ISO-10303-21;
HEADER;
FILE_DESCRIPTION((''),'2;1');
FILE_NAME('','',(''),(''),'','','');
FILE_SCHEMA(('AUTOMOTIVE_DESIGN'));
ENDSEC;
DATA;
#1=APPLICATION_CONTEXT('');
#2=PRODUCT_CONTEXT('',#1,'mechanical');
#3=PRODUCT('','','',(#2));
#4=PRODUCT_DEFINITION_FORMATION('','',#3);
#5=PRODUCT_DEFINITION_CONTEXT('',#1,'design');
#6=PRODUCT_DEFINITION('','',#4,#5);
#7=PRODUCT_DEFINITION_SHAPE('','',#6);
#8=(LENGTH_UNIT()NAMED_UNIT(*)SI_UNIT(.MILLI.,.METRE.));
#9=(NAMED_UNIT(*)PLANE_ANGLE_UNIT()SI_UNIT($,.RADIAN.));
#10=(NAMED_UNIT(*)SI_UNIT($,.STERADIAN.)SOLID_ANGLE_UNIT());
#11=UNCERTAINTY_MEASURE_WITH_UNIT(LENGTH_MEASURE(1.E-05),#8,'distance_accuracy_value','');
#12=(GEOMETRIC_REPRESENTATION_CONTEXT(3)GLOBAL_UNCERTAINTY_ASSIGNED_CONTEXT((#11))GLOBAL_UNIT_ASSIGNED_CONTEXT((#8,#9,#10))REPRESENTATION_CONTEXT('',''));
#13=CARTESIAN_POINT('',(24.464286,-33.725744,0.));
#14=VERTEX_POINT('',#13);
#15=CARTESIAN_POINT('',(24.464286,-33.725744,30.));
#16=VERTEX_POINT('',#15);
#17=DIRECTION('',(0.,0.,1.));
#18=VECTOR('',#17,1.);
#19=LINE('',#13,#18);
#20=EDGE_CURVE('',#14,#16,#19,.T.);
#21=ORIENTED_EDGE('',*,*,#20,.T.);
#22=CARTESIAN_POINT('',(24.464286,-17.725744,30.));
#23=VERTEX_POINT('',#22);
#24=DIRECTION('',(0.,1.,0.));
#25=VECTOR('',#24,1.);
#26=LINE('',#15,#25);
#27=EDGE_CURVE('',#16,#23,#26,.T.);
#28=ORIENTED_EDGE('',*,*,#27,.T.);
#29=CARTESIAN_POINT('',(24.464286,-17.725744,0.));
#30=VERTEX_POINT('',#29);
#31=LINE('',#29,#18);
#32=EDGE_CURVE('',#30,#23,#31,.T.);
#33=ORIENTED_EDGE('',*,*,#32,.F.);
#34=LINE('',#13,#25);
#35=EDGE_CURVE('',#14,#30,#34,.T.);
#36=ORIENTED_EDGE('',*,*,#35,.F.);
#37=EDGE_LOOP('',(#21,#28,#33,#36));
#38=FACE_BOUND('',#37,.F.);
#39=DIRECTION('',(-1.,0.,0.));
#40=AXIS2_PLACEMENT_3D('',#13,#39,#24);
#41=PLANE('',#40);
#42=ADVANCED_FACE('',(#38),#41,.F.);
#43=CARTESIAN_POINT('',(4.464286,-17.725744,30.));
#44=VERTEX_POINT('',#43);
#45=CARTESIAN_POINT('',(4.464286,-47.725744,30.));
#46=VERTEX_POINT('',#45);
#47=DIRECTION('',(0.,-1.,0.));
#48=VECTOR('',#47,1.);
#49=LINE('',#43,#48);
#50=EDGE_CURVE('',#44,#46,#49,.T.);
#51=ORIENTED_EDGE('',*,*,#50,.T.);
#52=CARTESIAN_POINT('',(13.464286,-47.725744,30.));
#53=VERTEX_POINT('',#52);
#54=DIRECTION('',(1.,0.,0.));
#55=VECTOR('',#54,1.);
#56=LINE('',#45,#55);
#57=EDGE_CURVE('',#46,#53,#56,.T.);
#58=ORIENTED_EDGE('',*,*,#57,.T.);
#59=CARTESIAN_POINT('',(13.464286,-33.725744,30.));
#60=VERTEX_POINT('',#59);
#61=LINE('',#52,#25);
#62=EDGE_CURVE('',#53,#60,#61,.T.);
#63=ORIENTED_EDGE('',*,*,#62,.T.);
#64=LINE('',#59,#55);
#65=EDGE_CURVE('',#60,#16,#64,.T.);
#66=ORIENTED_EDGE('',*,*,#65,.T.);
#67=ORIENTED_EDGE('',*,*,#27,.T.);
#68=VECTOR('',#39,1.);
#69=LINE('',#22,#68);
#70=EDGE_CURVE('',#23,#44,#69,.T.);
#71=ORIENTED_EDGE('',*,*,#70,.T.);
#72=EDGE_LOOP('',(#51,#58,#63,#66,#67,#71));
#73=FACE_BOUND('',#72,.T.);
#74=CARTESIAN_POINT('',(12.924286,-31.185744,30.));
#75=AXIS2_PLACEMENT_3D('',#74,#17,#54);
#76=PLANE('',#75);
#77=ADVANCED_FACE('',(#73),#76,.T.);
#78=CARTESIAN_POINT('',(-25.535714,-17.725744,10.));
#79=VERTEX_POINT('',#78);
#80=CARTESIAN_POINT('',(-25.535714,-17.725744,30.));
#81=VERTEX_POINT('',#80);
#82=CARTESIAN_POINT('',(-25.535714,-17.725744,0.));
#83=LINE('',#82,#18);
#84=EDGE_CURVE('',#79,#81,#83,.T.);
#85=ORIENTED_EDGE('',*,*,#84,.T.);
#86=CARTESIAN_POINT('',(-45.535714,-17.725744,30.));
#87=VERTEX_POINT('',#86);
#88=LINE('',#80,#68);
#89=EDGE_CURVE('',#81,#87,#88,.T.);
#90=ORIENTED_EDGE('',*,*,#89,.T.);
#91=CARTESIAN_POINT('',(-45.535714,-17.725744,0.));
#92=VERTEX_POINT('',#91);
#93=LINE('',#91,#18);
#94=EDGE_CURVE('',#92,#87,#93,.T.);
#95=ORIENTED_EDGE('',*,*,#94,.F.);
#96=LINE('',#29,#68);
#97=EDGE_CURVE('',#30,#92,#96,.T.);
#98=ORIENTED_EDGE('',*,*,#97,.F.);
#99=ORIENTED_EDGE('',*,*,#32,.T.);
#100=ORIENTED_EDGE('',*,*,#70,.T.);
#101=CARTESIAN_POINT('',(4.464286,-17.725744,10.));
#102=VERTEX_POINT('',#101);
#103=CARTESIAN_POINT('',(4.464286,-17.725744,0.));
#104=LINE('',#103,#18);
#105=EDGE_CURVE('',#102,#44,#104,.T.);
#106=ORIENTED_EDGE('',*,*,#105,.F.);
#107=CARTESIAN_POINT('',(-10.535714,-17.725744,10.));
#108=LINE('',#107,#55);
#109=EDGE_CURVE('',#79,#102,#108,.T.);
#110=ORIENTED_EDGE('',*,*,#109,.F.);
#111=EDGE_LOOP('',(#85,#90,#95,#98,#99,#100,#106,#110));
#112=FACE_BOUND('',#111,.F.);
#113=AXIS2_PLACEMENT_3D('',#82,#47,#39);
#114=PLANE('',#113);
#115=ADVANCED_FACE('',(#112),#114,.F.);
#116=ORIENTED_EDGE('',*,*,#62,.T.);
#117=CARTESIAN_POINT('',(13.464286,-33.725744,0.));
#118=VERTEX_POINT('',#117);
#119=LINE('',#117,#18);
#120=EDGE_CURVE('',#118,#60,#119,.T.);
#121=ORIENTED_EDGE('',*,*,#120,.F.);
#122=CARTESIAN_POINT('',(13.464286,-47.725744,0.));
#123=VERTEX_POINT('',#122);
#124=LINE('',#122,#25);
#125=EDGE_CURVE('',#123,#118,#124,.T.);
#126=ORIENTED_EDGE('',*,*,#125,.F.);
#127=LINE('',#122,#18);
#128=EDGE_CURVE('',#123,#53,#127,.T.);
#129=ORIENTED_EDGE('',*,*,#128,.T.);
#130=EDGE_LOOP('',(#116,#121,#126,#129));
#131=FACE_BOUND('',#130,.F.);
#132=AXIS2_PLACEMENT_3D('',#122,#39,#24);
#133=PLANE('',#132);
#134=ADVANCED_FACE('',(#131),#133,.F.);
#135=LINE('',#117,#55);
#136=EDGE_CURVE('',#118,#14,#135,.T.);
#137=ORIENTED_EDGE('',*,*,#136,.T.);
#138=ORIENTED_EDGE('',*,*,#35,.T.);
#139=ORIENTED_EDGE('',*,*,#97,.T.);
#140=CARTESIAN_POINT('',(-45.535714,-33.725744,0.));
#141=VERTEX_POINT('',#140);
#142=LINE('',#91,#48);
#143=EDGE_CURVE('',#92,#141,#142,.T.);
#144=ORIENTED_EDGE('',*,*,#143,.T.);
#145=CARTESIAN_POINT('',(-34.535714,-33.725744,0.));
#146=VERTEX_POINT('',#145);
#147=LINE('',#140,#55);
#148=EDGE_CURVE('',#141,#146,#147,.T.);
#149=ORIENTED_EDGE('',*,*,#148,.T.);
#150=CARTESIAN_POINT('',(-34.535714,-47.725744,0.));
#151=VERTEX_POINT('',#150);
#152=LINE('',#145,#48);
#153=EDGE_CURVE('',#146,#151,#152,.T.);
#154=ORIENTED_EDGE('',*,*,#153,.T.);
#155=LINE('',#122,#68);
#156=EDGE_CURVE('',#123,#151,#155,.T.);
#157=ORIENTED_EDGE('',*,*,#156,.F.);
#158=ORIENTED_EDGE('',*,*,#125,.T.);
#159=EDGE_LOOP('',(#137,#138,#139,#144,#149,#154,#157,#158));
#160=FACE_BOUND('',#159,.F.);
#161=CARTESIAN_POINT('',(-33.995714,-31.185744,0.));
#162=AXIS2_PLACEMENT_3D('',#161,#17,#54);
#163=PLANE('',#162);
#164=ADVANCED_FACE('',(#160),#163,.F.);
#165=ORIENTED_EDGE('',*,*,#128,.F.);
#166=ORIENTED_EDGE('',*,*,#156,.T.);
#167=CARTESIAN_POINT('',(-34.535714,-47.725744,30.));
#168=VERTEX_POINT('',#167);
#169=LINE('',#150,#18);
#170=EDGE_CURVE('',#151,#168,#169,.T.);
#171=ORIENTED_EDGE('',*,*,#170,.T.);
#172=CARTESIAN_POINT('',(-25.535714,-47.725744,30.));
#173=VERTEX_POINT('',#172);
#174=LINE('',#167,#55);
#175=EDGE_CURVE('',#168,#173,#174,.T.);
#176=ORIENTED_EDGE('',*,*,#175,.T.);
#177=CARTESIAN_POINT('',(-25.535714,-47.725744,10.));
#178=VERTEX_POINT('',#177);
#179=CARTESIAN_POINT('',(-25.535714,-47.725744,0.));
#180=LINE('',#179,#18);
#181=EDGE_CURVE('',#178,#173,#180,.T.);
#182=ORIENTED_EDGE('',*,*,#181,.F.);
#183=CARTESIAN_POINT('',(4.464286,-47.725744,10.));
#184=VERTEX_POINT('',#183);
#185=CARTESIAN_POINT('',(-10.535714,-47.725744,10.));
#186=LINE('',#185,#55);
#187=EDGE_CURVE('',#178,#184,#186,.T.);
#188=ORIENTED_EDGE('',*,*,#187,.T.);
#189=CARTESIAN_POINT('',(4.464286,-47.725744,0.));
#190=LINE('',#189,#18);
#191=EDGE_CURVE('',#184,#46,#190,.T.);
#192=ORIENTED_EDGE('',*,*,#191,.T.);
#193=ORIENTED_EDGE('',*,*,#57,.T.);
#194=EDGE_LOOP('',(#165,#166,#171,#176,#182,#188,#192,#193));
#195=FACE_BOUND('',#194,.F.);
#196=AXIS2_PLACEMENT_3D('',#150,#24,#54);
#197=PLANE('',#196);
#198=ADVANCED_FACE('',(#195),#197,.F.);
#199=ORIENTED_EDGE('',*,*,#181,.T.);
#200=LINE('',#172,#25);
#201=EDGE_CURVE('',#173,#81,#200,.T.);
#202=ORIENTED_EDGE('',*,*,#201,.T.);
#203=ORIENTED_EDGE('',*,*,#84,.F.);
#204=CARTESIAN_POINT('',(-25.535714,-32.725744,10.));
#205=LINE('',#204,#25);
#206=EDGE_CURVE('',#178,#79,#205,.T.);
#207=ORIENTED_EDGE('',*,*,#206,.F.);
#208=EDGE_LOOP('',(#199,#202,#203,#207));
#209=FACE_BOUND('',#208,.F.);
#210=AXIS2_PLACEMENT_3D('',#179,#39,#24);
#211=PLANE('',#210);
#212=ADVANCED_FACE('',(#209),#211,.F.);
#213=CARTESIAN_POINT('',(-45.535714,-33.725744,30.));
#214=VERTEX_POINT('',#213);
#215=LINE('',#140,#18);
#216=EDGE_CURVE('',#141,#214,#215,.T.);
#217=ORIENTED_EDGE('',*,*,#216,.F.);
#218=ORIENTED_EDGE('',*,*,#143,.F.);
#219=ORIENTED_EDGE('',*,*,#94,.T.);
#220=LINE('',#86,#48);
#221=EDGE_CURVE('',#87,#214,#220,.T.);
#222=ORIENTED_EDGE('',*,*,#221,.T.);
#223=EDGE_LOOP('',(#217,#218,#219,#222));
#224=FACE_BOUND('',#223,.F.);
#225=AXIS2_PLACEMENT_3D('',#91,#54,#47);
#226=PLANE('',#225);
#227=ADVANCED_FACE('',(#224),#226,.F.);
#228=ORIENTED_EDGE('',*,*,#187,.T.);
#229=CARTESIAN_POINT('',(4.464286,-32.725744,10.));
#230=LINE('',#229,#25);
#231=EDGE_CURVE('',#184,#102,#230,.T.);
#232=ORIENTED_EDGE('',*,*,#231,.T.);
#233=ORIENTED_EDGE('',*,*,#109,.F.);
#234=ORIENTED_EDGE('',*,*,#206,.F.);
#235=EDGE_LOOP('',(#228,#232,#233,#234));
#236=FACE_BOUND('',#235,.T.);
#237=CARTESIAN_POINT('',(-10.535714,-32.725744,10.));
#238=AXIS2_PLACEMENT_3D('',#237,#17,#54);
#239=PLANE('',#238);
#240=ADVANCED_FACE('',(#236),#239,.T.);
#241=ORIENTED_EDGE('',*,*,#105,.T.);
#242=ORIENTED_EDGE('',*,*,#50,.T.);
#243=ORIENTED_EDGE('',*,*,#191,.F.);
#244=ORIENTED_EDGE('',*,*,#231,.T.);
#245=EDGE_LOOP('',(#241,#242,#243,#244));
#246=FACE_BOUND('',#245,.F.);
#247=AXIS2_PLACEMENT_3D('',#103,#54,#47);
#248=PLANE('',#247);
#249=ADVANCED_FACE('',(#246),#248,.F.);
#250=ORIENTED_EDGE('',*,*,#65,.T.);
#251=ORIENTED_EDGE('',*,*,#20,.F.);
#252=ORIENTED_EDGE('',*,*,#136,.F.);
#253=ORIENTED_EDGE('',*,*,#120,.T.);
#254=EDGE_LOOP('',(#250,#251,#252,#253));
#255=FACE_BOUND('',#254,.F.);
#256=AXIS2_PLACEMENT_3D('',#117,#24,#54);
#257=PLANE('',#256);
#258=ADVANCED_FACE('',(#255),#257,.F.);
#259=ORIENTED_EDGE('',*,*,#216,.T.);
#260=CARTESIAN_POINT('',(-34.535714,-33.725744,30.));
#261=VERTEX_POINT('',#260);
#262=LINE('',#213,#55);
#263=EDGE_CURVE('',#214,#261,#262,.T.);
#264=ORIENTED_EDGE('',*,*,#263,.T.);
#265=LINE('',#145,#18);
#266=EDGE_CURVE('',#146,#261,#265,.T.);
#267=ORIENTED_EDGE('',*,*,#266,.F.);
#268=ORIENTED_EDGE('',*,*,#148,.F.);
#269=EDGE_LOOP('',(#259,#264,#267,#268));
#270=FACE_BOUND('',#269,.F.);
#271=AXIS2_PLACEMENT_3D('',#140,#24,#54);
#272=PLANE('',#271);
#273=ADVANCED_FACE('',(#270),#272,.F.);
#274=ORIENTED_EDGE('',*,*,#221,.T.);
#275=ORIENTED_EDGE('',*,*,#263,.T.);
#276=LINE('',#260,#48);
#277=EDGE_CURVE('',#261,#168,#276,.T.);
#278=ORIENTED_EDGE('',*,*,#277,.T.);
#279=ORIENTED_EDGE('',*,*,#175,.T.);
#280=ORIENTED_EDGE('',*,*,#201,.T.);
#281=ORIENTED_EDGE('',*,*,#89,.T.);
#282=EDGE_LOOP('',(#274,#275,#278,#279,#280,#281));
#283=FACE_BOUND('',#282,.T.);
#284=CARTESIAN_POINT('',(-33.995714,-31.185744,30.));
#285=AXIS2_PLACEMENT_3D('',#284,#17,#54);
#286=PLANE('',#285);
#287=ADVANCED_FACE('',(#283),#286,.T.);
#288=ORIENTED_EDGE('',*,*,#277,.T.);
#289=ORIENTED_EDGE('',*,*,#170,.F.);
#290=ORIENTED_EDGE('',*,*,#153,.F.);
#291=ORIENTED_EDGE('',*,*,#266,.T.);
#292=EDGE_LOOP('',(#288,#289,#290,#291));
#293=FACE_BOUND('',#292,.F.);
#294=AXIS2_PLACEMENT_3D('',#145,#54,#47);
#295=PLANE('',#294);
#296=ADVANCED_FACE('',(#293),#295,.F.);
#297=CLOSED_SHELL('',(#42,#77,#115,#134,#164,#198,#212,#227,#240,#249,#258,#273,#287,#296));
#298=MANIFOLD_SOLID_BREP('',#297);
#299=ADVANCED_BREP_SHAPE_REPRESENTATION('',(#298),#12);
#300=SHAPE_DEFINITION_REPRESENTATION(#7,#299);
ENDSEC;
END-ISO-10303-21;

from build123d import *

# Parameters (mm, degrees)
F0_W     = 30
F0_H     = 30
F1_DEPTH = 10
F2_DEPTH = 30


with BuildPart() as f1:
    # F0 (on Top) → F1 (new body)
    with BuildSketch(Plane.XY):
        with Locations((-10.535714, -32.725744)):
            Rectangle(F0_W, F0_H)
    extrude(amount=F1_DEPTH)

    # F0 (on Top) → F2 (join)
    with BuildSketch(Plane.XY):
        Polygon((-25.535714, -17.725744), (-45.535714, -17.725744), (-45.535714, -33.725744), (-34.535714, -33.725744), (-34.535714, -47.725744), (-25.535714, -47.725744), align=None)
        Polygon((24.464286, -17.725744), (4.464286, -17.725744), (4.464286, -47.725744), (13.464286, -47.725744), (13.464286, -33.725744), (24.464286, -33.725744), align=None)
    extrude(amount=F2_DEPTH)


solid = f1.part
